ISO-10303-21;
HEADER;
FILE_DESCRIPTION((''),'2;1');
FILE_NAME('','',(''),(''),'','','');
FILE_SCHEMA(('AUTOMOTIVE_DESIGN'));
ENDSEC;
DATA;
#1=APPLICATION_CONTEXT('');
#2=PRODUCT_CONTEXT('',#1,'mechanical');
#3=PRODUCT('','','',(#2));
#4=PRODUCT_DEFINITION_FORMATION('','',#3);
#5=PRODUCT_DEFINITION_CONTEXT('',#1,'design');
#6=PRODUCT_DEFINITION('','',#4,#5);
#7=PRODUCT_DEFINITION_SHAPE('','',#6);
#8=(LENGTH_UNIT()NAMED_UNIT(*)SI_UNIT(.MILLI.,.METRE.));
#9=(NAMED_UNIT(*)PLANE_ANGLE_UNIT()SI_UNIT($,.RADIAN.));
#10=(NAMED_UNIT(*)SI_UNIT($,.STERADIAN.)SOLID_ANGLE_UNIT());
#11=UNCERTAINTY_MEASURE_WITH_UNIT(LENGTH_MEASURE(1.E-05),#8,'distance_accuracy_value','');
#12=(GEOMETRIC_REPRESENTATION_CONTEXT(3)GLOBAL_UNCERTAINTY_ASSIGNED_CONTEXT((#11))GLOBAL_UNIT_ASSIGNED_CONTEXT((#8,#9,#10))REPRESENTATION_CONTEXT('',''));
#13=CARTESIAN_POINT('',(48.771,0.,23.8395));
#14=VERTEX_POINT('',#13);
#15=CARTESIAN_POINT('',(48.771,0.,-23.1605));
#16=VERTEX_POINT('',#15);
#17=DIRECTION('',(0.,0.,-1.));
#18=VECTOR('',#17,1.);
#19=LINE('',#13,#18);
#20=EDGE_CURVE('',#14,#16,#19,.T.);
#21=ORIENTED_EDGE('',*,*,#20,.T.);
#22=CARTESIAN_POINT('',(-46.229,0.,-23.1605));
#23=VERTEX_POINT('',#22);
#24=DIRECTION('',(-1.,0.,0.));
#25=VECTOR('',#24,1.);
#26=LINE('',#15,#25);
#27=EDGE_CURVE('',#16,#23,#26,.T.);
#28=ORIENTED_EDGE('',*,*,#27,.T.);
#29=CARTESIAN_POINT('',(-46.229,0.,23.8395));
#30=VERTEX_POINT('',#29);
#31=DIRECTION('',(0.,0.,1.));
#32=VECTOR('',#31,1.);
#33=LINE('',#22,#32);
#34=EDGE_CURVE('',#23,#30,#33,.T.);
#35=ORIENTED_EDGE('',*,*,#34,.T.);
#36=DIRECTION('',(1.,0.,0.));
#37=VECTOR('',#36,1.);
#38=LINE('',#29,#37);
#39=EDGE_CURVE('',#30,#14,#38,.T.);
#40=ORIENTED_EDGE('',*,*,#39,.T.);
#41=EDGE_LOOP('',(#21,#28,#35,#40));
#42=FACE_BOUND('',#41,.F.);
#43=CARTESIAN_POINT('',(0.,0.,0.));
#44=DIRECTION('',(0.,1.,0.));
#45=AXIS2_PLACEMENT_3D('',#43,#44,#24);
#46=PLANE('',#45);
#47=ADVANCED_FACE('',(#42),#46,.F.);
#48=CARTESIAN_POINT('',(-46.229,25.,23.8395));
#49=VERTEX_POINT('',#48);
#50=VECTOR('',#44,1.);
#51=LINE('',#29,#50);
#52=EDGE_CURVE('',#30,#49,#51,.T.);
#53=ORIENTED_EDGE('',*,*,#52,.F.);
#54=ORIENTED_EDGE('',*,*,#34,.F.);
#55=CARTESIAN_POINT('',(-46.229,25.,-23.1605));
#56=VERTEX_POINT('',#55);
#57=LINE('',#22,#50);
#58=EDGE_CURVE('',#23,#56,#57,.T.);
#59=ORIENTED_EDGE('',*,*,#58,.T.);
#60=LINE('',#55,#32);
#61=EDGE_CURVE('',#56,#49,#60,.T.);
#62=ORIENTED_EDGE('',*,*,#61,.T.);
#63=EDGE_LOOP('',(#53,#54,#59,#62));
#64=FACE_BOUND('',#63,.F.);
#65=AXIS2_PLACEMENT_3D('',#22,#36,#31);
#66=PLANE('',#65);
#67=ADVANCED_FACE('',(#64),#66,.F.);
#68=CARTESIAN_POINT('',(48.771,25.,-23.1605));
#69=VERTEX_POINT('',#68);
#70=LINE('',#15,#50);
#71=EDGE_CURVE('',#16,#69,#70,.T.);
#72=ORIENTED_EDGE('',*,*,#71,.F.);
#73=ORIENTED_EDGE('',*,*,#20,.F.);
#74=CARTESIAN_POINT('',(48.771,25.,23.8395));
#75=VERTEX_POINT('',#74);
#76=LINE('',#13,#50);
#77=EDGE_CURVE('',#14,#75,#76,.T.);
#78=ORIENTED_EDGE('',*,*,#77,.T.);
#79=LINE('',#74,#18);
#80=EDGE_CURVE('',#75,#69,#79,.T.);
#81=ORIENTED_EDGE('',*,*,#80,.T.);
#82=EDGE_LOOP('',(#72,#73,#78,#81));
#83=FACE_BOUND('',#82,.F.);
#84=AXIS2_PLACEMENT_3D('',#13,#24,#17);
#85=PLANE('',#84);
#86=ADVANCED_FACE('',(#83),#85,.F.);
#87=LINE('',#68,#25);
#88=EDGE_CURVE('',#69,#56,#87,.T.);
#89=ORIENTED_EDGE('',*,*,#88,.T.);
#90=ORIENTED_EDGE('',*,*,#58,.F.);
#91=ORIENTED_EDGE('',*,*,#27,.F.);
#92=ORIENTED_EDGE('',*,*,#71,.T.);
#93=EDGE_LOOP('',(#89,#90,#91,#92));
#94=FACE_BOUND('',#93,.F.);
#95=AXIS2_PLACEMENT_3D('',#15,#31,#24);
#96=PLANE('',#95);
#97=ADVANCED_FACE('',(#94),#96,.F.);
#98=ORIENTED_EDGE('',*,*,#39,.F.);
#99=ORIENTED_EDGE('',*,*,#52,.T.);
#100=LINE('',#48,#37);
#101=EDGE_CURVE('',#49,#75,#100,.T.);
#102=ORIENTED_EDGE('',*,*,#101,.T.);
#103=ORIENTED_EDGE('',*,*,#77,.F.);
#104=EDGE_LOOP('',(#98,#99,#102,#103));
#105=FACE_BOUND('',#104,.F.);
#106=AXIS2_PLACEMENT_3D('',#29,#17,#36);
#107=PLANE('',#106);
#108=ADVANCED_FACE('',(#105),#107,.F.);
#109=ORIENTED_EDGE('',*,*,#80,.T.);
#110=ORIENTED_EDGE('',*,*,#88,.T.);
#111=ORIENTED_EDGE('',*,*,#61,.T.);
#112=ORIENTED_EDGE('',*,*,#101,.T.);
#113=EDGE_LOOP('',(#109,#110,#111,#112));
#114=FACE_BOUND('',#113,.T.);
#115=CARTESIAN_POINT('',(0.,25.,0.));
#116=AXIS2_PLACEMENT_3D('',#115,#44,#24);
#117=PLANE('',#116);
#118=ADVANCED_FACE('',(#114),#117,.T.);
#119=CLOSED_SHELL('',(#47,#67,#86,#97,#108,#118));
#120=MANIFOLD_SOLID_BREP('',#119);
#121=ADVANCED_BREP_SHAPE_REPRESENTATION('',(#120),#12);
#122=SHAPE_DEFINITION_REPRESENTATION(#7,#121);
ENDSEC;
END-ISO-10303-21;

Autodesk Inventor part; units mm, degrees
ref_plane "YZ Plane" through (0, 0, 0) normal (1, 0, 0) x (0, 1, 0)
ref_plane "XZ Plane" through (0, 0, 0) normal (0, 1, 0) x (-1, 0, 0)
ref_plane "XY Plane" through (0, 0, 0) normal (0, 0, 1) x (1, 0, 0)
sketch "Boceto1" plane through (0, 0, 0) normal (0, 1, 0) x (-1, 0, 0)
  line L0 (46.229, 23.8395) -> (-48.771, 23.8395)
  line L1 (-48.771, 23.8395) -> (-48.771, -23.1605)
  line L2 (-48.771, -23.1605) -> (46.229, -23.1605)
  line L3 (46.229, -23.1605) -> (46.229, 23.8395)
  point P0 (0, 0)
  dimension "d0" = 95
  dimension "d1" = 47
extrude "Extrusión1" add sketch "Boceto1" along normal blind 25
properties part number "bateria"
